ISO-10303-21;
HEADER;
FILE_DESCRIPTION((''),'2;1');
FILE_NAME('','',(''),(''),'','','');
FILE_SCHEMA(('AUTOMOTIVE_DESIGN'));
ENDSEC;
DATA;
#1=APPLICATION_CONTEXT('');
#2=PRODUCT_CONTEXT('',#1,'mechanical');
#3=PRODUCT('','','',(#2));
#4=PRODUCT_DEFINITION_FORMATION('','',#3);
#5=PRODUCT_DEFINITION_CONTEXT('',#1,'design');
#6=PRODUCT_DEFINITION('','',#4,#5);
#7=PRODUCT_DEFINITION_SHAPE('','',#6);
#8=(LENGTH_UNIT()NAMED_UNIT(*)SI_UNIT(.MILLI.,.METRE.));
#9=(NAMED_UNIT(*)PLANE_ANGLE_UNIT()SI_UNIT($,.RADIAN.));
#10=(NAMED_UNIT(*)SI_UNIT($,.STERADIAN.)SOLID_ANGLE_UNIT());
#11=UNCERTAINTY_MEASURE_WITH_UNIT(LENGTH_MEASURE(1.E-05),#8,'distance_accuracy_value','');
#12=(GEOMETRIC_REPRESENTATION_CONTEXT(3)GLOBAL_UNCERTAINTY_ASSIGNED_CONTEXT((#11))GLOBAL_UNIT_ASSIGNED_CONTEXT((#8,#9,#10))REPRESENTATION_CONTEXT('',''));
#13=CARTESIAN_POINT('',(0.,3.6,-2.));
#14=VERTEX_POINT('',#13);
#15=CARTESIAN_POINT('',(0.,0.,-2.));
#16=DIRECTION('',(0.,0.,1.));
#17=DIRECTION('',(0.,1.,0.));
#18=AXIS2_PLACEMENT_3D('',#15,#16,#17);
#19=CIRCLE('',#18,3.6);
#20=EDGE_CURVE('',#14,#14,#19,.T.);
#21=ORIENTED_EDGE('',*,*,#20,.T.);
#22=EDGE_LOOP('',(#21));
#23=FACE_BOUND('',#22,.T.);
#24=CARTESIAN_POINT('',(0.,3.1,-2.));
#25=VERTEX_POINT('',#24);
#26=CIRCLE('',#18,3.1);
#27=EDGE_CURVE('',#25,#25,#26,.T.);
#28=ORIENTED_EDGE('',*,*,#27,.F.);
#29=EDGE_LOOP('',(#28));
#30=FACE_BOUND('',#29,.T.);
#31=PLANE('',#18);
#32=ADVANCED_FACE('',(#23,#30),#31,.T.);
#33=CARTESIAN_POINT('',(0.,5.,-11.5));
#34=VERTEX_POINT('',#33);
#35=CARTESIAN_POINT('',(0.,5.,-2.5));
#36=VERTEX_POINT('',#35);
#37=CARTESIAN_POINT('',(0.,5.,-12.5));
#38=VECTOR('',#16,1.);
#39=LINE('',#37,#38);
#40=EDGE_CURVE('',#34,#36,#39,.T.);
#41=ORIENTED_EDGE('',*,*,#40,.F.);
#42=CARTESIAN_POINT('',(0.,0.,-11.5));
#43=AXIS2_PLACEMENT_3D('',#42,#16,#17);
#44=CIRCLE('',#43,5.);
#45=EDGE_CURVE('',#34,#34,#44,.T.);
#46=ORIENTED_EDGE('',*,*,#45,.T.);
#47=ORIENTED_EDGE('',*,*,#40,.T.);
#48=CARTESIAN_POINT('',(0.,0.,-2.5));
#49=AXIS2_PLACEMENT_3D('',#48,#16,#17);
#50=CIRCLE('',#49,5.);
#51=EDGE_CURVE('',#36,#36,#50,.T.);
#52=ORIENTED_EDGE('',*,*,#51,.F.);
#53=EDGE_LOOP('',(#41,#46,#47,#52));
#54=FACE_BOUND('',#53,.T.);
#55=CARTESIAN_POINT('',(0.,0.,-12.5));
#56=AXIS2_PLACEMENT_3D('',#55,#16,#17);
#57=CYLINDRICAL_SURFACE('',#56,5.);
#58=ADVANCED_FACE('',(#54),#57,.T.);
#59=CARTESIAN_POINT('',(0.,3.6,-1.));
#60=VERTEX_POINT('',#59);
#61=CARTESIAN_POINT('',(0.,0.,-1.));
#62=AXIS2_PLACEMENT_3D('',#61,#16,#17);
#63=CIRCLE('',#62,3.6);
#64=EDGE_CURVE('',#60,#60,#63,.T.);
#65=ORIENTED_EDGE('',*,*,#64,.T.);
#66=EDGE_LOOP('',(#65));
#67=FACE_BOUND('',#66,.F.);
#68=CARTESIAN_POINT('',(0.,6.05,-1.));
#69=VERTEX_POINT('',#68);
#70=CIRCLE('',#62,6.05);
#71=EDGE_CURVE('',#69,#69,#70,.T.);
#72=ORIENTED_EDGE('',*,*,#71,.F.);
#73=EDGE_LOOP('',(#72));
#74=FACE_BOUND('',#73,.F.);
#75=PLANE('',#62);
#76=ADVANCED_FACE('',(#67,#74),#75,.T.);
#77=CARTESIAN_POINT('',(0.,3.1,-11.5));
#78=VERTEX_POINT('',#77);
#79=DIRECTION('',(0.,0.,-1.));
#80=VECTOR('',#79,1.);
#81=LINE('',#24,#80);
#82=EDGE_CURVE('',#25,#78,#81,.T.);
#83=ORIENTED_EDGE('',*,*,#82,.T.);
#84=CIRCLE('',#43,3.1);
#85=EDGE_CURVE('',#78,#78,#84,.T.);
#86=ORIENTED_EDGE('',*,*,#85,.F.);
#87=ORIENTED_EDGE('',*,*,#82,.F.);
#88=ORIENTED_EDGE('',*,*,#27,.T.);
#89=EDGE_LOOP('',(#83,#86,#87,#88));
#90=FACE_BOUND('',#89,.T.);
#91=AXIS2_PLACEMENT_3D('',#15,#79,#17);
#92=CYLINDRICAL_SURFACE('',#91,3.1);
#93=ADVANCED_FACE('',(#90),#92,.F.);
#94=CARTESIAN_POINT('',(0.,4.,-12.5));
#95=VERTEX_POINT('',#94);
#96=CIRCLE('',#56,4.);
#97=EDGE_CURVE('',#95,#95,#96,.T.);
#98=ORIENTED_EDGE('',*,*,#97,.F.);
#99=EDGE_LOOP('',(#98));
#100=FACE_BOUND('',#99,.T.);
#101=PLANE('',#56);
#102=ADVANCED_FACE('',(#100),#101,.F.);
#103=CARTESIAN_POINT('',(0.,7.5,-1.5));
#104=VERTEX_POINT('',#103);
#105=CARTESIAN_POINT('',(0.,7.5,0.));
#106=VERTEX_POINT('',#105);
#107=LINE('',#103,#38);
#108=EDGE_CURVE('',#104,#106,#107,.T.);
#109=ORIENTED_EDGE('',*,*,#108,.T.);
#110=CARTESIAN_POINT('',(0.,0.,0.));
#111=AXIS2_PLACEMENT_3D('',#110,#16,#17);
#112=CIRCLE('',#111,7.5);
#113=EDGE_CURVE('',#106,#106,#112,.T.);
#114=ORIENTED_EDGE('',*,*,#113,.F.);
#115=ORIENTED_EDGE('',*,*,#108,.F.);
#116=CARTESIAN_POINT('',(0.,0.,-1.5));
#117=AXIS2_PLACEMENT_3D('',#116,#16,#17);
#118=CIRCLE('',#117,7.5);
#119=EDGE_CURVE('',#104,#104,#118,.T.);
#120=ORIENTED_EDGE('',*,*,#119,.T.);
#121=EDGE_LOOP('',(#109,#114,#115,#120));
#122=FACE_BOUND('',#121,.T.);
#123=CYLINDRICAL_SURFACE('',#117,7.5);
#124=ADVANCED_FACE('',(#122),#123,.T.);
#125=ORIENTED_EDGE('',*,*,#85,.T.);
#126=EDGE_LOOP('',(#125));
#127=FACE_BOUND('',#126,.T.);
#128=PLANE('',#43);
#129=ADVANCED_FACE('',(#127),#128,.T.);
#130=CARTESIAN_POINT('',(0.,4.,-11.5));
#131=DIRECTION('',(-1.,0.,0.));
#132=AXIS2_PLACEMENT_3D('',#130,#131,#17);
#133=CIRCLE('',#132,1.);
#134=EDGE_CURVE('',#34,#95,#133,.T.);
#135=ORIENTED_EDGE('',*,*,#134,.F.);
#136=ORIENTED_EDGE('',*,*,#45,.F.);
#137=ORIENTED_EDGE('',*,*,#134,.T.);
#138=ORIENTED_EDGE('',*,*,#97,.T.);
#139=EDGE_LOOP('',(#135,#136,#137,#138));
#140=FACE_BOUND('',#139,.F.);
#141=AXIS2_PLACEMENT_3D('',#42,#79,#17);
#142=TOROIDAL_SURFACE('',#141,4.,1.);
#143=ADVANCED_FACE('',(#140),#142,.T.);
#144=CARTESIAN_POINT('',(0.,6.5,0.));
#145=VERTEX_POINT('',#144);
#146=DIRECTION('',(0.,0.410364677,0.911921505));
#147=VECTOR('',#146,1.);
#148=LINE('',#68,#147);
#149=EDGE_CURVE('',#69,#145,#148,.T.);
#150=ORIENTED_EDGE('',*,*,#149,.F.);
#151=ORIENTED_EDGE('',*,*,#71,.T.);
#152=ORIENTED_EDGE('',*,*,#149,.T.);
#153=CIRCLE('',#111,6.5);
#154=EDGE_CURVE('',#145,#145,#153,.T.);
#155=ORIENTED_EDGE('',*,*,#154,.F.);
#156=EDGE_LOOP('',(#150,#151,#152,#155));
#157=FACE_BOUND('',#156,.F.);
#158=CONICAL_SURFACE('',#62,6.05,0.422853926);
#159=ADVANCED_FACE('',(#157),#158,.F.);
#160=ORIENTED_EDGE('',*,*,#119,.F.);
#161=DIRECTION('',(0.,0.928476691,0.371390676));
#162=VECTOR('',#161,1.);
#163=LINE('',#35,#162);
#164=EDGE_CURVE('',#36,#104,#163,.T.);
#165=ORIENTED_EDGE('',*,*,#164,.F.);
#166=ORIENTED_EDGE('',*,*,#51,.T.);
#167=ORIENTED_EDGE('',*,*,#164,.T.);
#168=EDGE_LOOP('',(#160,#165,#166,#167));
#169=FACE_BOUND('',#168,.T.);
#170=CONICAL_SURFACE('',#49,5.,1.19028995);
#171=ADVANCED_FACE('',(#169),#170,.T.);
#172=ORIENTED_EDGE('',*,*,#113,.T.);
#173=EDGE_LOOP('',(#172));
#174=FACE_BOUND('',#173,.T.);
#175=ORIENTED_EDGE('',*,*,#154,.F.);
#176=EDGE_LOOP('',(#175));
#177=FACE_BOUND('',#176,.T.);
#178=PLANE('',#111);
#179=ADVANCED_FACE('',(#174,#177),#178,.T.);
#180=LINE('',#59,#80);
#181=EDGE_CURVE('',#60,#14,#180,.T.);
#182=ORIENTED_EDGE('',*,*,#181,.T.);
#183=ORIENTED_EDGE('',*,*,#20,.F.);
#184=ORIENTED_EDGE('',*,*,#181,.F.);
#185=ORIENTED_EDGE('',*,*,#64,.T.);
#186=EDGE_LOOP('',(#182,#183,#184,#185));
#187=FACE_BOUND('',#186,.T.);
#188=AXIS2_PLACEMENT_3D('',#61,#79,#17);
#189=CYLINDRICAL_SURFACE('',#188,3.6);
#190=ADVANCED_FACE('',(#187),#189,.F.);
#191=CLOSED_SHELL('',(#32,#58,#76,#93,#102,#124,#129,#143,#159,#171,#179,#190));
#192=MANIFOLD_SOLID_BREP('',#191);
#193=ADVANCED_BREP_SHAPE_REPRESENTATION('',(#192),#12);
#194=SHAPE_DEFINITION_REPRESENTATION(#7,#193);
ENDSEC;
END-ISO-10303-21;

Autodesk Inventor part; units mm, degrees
ref_plane "YZ Plane" through (0, 0, 0) normal (1, 0, 0) x (0, 1, 0)
ref_plane "XZ Plane" through (0, 0, 0) normal (0, 1, 0) x (-1, 0, 0)
ref_plane "XY Plane" through (0, 0, 0) normal (0, 0, 1) x (1, 0, 0)
sketch "Skizze1" plane through (0, 0, 0) normal (0, 0, 1) x (1, 0, 0)
  circle A0 centre (0, 0) radius 3.1
  circle A1 centre (0, 0) radius 7.5
  dimension "d0" = 6.2
  dimension "d1" = 15
sketch "Skizze2" plane through (0, 0, 0) normal (1, 0, 0) x (0, 1, 0)
  line L0 (3.1, -2) -> (3.1, -11.5)
  line L1 (3.1, -11.5) -> (0, -11.5)
  line L2 (0, -11.5) -> (0, -12.5)
  line L3 (0, -12.5) -> (5, -12.5)
  line L4 (5, -12.5) -> (5, -2.5)
  line L5 (5, -2.5) -> (7.5, -1.5)
  line L6 (7.5, -1.5) -> (7.5, 0)
  line L7 (7.5, 0) -> (6.5, 0)
  line L8 (-10.5, 0) -> (10.5, 0) projected
  line L9 (0, -15) -> (0, 2.5) projected
  line L10 (3.6, -1) -> (3.6, -2)
  line L11 (3.6, -2) -> (3.1, -2)
  line L12 (3.6, -1) -> (6.05, -1)
  line L13 (6.05, -1) -> (6.5, 0)
  point P0 (0, 0)
  dimension "d7" = 11.5
  dimension "d8" = 1
  dimension "d10" = 1.5
  dimension "d11" = 3.1
  dimension "d12" = 7.5
  dimension "d13" = 1
  dimension "d16" = 3.6
  dimension "d17" = 2
  dimension "d18" = 5
  dimension "d19" = 1
  dimension "d20" = 6.5
  dimension "d21" = 0.45
revolve "Umdrehung1" add sketch "Skizze2" angle 360 about axis through (0, 0, -10) along (0, 0, 1) contours L11 L10 L12 L13 L7 L6 L5 L4 L3 L2 L1 L0
fillet "Rundung2" radius 1 1 edges at (0, -5, -12.5)
properties part number "KnopfDuenn"
